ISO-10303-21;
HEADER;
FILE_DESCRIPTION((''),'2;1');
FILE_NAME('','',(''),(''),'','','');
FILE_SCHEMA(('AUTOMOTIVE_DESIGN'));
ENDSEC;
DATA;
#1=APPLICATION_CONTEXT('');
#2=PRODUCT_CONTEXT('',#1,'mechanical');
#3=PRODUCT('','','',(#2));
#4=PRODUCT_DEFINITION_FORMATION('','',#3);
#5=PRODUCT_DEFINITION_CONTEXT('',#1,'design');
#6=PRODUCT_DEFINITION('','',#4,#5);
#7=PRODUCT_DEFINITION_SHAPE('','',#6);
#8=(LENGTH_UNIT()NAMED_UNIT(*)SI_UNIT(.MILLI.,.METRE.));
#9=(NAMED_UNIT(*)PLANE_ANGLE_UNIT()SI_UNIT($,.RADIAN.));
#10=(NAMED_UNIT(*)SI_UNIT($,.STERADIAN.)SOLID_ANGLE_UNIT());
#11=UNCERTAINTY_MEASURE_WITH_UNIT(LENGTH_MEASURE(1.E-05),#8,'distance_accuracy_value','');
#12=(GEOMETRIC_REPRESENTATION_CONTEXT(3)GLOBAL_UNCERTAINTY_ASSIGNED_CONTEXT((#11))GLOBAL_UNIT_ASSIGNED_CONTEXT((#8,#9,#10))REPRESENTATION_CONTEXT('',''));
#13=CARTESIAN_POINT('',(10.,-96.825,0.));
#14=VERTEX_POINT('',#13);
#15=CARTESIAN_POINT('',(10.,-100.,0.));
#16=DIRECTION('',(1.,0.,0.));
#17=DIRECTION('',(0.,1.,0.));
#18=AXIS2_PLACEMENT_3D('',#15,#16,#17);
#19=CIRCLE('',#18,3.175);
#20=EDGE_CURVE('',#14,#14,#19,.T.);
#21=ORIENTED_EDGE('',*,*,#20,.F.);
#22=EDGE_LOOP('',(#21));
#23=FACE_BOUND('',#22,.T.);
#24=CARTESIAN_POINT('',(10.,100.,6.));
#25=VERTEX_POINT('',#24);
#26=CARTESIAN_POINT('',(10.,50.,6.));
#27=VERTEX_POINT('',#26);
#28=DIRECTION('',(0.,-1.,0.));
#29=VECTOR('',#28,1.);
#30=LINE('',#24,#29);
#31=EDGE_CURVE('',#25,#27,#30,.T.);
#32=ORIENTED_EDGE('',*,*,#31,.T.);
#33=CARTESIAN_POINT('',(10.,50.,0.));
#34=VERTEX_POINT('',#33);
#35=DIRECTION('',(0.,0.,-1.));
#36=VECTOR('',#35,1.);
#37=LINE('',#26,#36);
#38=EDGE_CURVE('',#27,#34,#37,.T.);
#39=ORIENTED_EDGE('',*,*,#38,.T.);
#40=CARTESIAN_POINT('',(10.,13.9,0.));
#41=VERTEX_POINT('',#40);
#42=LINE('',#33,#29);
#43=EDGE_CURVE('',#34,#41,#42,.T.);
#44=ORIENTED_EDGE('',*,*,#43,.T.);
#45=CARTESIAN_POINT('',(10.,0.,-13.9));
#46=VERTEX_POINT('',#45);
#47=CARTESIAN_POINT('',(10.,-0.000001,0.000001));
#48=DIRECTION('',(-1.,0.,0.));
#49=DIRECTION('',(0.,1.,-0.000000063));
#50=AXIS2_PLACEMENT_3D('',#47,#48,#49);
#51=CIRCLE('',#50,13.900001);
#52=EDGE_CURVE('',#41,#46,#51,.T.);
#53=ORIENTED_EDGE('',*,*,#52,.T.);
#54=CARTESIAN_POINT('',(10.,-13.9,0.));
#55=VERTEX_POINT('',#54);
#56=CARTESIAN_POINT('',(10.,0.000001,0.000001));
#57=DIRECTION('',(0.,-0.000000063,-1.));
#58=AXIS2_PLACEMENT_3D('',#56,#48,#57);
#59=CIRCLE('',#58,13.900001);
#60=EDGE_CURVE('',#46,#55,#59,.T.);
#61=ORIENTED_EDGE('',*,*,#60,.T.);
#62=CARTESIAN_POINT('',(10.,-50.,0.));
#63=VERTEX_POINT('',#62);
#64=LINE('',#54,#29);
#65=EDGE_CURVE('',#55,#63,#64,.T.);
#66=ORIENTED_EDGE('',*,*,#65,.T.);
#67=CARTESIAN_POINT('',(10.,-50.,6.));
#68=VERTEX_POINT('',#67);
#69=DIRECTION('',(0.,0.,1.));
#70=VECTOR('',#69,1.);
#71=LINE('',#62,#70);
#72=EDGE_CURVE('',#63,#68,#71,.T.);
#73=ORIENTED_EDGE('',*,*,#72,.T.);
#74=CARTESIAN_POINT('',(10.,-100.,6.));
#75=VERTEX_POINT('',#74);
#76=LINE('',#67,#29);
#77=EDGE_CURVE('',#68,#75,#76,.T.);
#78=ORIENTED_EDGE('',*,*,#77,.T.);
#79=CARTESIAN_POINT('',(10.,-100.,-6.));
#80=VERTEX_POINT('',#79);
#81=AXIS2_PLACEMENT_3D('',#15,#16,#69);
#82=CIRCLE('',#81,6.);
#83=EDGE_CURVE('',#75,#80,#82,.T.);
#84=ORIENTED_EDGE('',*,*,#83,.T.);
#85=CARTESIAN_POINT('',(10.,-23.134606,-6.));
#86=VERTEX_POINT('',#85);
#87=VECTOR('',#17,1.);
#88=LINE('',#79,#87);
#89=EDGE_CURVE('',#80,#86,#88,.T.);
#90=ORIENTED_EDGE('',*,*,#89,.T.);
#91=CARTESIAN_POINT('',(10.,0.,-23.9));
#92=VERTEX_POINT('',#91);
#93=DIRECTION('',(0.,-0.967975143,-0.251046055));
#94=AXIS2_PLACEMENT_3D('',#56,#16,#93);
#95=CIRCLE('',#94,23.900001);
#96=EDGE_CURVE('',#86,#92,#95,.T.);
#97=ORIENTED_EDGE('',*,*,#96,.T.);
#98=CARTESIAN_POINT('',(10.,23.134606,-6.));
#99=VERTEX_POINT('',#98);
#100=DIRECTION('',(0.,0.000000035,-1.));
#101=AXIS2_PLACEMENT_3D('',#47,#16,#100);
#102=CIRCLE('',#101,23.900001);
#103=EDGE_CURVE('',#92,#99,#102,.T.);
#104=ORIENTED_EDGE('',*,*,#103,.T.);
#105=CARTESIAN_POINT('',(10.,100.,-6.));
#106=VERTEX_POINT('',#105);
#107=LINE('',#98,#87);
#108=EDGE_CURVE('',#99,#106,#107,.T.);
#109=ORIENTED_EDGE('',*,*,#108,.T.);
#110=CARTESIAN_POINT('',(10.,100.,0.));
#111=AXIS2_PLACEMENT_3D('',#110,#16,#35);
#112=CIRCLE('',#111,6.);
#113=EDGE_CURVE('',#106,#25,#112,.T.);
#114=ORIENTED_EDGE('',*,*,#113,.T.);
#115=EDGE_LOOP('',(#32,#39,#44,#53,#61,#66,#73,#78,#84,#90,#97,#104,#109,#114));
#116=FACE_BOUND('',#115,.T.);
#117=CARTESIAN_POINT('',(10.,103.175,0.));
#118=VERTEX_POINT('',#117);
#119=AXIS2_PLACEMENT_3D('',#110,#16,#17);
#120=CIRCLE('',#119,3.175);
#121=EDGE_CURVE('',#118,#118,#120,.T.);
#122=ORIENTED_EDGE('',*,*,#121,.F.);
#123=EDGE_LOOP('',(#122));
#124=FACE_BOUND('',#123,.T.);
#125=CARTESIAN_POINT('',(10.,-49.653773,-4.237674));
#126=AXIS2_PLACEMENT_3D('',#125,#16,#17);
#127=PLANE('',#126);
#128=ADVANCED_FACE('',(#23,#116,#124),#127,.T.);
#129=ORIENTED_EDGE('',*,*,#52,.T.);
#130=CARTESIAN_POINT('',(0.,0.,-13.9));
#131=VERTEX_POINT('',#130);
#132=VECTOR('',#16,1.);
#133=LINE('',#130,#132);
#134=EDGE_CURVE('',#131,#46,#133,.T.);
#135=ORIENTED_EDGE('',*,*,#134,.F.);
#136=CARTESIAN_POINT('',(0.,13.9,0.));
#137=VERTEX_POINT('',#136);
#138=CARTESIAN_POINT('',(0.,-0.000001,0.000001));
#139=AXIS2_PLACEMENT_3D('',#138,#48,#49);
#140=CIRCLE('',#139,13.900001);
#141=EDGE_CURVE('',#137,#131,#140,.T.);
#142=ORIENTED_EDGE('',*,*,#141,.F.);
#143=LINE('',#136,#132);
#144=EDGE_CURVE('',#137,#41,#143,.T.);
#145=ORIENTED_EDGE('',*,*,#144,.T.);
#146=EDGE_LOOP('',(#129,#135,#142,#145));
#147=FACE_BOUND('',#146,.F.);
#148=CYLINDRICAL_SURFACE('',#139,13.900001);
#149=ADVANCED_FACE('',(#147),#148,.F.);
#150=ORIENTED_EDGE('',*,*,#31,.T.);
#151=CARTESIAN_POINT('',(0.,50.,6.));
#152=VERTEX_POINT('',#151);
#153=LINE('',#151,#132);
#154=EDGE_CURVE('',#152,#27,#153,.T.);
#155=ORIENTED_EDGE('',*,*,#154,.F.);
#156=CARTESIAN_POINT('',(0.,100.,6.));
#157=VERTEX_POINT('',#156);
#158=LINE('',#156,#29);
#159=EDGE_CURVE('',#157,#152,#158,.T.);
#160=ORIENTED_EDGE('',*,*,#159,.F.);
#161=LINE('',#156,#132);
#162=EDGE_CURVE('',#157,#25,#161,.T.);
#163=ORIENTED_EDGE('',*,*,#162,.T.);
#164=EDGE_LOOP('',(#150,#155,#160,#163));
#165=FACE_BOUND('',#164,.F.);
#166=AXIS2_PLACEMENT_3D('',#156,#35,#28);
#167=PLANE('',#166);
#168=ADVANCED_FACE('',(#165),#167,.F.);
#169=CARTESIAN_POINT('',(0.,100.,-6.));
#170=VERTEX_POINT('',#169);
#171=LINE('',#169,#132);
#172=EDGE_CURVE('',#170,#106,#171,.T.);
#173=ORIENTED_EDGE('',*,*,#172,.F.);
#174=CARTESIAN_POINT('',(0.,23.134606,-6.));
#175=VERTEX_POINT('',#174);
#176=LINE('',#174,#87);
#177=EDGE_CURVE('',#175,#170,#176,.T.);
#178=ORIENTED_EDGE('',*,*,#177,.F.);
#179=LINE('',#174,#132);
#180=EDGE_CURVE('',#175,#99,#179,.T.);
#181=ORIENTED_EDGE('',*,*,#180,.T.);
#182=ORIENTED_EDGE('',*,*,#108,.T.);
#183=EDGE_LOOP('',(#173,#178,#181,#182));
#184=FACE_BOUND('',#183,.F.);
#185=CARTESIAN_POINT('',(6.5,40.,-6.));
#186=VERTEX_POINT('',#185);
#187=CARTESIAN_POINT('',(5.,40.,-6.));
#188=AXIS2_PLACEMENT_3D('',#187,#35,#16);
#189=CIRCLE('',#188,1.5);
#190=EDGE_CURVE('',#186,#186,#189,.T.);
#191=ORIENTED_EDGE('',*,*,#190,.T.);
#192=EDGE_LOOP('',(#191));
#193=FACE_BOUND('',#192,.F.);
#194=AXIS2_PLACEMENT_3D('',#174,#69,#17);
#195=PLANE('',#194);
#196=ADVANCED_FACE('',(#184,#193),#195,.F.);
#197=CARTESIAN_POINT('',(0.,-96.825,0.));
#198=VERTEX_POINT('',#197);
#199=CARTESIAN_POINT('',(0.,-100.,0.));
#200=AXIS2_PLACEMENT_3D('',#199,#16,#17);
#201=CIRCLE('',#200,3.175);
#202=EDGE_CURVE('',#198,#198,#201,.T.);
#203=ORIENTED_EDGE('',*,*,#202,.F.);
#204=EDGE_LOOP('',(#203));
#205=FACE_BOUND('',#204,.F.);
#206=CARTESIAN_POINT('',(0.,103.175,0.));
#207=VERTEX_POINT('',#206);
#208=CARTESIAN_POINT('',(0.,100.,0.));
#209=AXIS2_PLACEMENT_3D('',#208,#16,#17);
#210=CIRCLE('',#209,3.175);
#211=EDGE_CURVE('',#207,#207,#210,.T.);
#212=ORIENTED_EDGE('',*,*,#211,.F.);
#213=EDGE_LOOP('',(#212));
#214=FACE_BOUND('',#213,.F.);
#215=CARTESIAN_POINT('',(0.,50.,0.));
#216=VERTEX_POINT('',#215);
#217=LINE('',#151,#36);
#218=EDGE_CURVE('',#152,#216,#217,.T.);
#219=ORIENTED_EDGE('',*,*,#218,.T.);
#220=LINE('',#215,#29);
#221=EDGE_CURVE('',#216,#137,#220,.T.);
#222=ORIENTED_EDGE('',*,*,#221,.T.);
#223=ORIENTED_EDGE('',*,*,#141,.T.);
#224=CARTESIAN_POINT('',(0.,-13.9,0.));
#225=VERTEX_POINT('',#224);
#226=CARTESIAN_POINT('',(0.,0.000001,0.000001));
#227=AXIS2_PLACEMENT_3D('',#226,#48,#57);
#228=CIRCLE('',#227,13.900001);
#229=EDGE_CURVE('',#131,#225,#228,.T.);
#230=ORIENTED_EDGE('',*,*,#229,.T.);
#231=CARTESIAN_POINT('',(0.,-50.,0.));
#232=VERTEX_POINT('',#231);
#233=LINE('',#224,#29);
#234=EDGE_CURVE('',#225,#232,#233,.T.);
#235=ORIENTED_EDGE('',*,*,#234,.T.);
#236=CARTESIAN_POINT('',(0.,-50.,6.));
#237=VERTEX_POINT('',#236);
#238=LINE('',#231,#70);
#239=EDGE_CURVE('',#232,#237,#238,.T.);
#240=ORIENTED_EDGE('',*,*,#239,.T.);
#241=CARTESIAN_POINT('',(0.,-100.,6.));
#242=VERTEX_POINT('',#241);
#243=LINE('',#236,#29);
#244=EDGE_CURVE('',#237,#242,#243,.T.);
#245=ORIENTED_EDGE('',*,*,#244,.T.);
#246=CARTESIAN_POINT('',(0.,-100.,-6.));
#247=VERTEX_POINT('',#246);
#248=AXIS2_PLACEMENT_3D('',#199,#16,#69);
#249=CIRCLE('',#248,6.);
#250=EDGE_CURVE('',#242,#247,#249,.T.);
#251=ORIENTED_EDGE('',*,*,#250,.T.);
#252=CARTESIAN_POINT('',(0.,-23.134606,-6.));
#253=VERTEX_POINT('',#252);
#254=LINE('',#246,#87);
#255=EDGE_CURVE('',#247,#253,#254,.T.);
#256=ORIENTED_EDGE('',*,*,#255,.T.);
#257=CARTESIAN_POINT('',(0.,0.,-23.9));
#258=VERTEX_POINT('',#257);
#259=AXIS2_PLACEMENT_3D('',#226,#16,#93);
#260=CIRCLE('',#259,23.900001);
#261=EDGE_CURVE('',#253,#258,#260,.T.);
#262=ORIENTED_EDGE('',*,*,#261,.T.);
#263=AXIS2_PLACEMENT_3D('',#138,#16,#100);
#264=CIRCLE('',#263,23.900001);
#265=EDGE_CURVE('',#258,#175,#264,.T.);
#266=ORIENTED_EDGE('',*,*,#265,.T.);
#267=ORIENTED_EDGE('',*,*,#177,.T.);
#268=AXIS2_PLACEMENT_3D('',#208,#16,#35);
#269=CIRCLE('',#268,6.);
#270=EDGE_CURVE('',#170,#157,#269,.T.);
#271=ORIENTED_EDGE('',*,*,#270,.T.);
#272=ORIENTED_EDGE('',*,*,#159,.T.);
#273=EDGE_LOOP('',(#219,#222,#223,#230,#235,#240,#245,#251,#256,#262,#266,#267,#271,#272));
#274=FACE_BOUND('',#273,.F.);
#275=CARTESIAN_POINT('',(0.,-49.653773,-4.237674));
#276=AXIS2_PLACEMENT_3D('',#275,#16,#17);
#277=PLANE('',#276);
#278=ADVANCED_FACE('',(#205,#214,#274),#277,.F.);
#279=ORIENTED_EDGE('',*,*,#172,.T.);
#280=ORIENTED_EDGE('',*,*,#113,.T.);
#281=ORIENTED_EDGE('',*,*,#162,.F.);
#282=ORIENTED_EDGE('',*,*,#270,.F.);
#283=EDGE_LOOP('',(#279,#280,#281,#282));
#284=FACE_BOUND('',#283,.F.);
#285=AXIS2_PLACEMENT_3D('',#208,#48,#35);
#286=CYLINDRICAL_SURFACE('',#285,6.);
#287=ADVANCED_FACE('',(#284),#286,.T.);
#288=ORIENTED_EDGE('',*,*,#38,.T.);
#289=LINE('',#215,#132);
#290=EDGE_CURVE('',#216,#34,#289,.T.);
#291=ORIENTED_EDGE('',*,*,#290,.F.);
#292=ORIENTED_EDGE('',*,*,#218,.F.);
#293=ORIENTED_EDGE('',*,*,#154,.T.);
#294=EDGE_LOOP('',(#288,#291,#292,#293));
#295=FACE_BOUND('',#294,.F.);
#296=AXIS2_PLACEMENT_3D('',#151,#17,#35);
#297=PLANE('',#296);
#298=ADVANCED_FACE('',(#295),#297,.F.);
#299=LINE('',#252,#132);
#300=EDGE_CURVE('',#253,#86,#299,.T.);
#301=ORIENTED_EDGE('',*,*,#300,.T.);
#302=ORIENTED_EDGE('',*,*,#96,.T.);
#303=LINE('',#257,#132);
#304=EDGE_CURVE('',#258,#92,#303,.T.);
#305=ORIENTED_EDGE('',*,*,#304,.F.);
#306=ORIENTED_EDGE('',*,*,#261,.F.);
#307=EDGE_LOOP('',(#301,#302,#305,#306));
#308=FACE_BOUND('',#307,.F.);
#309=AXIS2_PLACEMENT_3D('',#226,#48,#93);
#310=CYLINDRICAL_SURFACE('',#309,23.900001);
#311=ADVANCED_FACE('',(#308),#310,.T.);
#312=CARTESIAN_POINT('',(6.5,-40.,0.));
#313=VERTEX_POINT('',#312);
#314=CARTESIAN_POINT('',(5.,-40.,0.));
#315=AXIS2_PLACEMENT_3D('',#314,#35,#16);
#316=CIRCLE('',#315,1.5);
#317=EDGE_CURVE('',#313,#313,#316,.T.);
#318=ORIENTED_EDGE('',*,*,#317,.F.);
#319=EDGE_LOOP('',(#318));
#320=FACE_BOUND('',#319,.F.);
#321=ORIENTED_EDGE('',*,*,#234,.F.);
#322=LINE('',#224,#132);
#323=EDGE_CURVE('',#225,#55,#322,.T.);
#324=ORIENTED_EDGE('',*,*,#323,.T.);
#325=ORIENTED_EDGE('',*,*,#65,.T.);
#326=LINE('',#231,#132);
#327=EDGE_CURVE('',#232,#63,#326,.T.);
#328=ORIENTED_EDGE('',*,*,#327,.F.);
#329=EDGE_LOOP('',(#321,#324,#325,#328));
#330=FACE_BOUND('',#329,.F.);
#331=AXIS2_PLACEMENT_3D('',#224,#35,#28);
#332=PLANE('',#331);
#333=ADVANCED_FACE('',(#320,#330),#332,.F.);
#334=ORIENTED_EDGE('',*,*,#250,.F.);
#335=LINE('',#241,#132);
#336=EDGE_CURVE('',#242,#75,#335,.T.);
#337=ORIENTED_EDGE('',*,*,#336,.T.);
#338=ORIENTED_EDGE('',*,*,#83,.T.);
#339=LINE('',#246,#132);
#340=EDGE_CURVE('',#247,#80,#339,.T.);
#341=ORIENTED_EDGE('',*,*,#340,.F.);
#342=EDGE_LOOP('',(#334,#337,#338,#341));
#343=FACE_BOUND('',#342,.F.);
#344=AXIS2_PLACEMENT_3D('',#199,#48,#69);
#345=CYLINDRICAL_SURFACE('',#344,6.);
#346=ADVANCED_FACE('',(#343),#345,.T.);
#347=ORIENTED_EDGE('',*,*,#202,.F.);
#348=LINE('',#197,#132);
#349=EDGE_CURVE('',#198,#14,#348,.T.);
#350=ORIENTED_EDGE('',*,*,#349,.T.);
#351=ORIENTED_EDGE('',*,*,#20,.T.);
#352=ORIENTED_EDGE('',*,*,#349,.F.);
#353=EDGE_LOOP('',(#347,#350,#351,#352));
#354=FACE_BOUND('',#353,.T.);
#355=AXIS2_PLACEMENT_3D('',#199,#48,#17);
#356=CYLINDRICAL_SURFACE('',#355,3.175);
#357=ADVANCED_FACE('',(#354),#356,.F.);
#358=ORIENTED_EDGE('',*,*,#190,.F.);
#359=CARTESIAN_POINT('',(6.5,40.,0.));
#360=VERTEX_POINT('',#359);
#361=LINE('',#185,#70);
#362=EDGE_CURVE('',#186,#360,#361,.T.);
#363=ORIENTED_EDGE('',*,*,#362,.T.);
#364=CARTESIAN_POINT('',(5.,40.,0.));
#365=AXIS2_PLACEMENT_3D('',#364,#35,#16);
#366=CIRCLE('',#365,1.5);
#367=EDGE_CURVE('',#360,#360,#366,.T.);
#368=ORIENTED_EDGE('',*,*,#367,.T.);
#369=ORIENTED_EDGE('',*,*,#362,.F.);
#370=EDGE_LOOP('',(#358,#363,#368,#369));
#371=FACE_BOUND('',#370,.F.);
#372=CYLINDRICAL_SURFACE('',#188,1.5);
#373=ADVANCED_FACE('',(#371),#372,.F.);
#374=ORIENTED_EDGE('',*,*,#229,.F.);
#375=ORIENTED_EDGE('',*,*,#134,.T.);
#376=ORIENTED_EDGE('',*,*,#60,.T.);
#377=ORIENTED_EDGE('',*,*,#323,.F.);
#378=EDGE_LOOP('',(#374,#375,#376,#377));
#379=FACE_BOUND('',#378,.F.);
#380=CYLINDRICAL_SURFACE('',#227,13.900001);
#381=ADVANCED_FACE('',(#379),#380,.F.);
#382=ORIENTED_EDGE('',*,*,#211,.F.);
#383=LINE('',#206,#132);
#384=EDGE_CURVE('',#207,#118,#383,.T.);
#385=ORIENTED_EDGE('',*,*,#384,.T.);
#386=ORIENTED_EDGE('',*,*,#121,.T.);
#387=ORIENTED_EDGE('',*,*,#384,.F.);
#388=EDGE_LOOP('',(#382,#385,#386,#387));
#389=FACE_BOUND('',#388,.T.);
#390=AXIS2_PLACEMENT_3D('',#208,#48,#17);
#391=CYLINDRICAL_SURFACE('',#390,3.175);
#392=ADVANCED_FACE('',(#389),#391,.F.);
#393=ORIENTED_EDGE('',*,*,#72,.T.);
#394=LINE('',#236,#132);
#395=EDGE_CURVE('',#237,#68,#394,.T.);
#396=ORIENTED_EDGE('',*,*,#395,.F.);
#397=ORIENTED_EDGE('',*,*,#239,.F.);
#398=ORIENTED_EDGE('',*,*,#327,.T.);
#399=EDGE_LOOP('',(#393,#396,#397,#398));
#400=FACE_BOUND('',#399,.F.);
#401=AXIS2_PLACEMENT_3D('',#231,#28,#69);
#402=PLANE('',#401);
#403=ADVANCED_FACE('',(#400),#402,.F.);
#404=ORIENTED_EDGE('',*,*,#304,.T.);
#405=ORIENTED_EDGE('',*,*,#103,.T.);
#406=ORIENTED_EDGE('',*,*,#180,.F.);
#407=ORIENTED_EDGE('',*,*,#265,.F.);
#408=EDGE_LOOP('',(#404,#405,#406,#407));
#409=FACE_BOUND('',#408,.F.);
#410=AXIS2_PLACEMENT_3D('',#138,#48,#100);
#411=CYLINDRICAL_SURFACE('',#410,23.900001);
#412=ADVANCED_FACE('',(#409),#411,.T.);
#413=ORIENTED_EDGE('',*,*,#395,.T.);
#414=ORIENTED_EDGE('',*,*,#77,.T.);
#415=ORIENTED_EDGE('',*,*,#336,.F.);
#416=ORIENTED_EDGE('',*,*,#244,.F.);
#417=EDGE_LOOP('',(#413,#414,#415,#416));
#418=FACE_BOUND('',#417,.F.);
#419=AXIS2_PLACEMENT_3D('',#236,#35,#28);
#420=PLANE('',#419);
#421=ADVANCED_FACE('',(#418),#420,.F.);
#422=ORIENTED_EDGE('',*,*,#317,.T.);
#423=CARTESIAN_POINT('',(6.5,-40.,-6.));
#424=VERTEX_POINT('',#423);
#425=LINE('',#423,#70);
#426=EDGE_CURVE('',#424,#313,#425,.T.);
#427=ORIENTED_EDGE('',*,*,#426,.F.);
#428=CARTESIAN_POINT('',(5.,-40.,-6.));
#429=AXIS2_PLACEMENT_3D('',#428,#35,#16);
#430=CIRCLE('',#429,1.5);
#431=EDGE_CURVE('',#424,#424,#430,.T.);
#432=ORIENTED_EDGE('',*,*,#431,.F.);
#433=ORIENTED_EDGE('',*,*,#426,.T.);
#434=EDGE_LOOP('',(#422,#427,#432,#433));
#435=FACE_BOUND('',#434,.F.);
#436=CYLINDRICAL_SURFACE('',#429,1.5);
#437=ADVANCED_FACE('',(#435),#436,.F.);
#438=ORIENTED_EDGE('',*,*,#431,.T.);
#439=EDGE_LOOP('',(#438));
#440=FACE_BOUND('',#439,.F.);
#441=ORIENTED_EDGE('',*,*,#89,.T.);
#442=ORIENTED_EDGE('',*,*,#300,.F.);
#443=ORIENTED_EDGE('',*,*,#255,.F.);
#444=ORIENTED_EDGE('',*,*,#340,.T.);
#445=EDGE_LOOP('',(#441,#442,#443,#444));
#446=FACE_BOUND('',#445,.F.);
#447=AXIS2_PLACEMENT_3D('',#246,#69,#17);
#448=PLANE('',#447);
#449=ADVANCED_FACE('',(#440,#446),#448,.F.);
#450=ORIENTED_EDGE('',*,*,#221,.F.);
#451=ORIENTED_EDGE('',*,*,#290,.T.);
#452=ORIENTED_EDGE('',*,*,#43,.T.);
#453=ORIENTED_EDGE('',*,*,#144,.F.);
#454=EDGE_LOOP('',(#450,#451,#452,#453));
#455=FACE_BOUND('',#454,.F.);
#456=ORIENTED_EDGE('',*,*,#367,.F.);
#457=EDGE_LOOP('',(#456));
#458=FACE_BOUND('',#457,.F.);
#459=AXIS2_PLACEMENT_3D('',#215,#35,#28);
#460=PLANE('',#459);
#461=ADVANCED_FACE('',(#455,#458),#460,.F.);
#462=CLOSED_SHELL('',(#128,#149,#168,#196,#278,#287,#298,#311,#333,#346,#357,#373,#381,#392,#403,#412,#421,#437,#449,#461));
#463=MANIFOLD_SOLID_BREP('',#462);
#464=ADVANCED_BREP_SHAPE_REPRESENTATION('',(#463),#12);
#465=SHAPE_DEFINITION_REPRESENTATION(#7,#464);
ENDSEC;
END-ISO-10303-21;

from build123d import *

# Parameters (mm, degrees)
F0_R     = 3.175
F1_DEPTH = 10
F2_R     = 1.5
F3_DEPTH = 25


with BuildPart() as f1:
    # F0 (on Right) → F1 (new body)
    with BuildSketch(Plane.YZ):
        with BuildLine():
            Line((0, -23.9), (0, -13.9))
            ThreePointArc((0, -13.9), (-9.828784, -9.828784), (-13.9, 0))
            Line((-13.9, 0), (-50, 0))
            Line((-50, 0), (-50, 6))
            Line((-50, 6), (-100, 6))
            ThreePointArc((-100, 6), (-106, 0), (-100, -6))
            Line((-100, -6), (-23.134606, -6))
            ThreePointArc((-23.134606, -6), (-14.625491, -18.902513), (0, -23.9))
        make_face()
        with Locations((-100, 0)):
            Circle(F0_R, mode=Mode.SUBTRACT)
        with BuildLine():
            ThreePointArc((13.9, 0), (9.828784, -9.828784), (0, -13.9))
            Line((0, -13.9), (0, -23.9))
            ThreePointArc((0, -23.9), (14.625491, -18.902513), (23.134606, -6))
            Line((23.134606, -6), (100, -6))
            ThreePointArc((100, -6), (106, 0), (100, 6))
            Line((100, 6), (50, 6))
            Line((50, 6), (50, 0))
            Line((50, 0), (13.9, 0))
        make_face()
        with Locations((100, 0)):
            Circle(F0_R, mode=Mode.SUBTRACT)
    extrude(amount=F1_DEPTH)

    # F2 (on face) → F3 (cut)
    with BuildSketch(Plane(origin=(0, 0, -6), x_dir=(1, 0, 0), z_dir=(0, 0, -1))):
        with Locations((5, 40)):
            Circle(F2_R)
        with Locations((5, -40)):
            Circle(F2_R)
    extrude(amount=-F3_DEPTH, mode=Mode.SUBTRACT)


solid = f1.part
